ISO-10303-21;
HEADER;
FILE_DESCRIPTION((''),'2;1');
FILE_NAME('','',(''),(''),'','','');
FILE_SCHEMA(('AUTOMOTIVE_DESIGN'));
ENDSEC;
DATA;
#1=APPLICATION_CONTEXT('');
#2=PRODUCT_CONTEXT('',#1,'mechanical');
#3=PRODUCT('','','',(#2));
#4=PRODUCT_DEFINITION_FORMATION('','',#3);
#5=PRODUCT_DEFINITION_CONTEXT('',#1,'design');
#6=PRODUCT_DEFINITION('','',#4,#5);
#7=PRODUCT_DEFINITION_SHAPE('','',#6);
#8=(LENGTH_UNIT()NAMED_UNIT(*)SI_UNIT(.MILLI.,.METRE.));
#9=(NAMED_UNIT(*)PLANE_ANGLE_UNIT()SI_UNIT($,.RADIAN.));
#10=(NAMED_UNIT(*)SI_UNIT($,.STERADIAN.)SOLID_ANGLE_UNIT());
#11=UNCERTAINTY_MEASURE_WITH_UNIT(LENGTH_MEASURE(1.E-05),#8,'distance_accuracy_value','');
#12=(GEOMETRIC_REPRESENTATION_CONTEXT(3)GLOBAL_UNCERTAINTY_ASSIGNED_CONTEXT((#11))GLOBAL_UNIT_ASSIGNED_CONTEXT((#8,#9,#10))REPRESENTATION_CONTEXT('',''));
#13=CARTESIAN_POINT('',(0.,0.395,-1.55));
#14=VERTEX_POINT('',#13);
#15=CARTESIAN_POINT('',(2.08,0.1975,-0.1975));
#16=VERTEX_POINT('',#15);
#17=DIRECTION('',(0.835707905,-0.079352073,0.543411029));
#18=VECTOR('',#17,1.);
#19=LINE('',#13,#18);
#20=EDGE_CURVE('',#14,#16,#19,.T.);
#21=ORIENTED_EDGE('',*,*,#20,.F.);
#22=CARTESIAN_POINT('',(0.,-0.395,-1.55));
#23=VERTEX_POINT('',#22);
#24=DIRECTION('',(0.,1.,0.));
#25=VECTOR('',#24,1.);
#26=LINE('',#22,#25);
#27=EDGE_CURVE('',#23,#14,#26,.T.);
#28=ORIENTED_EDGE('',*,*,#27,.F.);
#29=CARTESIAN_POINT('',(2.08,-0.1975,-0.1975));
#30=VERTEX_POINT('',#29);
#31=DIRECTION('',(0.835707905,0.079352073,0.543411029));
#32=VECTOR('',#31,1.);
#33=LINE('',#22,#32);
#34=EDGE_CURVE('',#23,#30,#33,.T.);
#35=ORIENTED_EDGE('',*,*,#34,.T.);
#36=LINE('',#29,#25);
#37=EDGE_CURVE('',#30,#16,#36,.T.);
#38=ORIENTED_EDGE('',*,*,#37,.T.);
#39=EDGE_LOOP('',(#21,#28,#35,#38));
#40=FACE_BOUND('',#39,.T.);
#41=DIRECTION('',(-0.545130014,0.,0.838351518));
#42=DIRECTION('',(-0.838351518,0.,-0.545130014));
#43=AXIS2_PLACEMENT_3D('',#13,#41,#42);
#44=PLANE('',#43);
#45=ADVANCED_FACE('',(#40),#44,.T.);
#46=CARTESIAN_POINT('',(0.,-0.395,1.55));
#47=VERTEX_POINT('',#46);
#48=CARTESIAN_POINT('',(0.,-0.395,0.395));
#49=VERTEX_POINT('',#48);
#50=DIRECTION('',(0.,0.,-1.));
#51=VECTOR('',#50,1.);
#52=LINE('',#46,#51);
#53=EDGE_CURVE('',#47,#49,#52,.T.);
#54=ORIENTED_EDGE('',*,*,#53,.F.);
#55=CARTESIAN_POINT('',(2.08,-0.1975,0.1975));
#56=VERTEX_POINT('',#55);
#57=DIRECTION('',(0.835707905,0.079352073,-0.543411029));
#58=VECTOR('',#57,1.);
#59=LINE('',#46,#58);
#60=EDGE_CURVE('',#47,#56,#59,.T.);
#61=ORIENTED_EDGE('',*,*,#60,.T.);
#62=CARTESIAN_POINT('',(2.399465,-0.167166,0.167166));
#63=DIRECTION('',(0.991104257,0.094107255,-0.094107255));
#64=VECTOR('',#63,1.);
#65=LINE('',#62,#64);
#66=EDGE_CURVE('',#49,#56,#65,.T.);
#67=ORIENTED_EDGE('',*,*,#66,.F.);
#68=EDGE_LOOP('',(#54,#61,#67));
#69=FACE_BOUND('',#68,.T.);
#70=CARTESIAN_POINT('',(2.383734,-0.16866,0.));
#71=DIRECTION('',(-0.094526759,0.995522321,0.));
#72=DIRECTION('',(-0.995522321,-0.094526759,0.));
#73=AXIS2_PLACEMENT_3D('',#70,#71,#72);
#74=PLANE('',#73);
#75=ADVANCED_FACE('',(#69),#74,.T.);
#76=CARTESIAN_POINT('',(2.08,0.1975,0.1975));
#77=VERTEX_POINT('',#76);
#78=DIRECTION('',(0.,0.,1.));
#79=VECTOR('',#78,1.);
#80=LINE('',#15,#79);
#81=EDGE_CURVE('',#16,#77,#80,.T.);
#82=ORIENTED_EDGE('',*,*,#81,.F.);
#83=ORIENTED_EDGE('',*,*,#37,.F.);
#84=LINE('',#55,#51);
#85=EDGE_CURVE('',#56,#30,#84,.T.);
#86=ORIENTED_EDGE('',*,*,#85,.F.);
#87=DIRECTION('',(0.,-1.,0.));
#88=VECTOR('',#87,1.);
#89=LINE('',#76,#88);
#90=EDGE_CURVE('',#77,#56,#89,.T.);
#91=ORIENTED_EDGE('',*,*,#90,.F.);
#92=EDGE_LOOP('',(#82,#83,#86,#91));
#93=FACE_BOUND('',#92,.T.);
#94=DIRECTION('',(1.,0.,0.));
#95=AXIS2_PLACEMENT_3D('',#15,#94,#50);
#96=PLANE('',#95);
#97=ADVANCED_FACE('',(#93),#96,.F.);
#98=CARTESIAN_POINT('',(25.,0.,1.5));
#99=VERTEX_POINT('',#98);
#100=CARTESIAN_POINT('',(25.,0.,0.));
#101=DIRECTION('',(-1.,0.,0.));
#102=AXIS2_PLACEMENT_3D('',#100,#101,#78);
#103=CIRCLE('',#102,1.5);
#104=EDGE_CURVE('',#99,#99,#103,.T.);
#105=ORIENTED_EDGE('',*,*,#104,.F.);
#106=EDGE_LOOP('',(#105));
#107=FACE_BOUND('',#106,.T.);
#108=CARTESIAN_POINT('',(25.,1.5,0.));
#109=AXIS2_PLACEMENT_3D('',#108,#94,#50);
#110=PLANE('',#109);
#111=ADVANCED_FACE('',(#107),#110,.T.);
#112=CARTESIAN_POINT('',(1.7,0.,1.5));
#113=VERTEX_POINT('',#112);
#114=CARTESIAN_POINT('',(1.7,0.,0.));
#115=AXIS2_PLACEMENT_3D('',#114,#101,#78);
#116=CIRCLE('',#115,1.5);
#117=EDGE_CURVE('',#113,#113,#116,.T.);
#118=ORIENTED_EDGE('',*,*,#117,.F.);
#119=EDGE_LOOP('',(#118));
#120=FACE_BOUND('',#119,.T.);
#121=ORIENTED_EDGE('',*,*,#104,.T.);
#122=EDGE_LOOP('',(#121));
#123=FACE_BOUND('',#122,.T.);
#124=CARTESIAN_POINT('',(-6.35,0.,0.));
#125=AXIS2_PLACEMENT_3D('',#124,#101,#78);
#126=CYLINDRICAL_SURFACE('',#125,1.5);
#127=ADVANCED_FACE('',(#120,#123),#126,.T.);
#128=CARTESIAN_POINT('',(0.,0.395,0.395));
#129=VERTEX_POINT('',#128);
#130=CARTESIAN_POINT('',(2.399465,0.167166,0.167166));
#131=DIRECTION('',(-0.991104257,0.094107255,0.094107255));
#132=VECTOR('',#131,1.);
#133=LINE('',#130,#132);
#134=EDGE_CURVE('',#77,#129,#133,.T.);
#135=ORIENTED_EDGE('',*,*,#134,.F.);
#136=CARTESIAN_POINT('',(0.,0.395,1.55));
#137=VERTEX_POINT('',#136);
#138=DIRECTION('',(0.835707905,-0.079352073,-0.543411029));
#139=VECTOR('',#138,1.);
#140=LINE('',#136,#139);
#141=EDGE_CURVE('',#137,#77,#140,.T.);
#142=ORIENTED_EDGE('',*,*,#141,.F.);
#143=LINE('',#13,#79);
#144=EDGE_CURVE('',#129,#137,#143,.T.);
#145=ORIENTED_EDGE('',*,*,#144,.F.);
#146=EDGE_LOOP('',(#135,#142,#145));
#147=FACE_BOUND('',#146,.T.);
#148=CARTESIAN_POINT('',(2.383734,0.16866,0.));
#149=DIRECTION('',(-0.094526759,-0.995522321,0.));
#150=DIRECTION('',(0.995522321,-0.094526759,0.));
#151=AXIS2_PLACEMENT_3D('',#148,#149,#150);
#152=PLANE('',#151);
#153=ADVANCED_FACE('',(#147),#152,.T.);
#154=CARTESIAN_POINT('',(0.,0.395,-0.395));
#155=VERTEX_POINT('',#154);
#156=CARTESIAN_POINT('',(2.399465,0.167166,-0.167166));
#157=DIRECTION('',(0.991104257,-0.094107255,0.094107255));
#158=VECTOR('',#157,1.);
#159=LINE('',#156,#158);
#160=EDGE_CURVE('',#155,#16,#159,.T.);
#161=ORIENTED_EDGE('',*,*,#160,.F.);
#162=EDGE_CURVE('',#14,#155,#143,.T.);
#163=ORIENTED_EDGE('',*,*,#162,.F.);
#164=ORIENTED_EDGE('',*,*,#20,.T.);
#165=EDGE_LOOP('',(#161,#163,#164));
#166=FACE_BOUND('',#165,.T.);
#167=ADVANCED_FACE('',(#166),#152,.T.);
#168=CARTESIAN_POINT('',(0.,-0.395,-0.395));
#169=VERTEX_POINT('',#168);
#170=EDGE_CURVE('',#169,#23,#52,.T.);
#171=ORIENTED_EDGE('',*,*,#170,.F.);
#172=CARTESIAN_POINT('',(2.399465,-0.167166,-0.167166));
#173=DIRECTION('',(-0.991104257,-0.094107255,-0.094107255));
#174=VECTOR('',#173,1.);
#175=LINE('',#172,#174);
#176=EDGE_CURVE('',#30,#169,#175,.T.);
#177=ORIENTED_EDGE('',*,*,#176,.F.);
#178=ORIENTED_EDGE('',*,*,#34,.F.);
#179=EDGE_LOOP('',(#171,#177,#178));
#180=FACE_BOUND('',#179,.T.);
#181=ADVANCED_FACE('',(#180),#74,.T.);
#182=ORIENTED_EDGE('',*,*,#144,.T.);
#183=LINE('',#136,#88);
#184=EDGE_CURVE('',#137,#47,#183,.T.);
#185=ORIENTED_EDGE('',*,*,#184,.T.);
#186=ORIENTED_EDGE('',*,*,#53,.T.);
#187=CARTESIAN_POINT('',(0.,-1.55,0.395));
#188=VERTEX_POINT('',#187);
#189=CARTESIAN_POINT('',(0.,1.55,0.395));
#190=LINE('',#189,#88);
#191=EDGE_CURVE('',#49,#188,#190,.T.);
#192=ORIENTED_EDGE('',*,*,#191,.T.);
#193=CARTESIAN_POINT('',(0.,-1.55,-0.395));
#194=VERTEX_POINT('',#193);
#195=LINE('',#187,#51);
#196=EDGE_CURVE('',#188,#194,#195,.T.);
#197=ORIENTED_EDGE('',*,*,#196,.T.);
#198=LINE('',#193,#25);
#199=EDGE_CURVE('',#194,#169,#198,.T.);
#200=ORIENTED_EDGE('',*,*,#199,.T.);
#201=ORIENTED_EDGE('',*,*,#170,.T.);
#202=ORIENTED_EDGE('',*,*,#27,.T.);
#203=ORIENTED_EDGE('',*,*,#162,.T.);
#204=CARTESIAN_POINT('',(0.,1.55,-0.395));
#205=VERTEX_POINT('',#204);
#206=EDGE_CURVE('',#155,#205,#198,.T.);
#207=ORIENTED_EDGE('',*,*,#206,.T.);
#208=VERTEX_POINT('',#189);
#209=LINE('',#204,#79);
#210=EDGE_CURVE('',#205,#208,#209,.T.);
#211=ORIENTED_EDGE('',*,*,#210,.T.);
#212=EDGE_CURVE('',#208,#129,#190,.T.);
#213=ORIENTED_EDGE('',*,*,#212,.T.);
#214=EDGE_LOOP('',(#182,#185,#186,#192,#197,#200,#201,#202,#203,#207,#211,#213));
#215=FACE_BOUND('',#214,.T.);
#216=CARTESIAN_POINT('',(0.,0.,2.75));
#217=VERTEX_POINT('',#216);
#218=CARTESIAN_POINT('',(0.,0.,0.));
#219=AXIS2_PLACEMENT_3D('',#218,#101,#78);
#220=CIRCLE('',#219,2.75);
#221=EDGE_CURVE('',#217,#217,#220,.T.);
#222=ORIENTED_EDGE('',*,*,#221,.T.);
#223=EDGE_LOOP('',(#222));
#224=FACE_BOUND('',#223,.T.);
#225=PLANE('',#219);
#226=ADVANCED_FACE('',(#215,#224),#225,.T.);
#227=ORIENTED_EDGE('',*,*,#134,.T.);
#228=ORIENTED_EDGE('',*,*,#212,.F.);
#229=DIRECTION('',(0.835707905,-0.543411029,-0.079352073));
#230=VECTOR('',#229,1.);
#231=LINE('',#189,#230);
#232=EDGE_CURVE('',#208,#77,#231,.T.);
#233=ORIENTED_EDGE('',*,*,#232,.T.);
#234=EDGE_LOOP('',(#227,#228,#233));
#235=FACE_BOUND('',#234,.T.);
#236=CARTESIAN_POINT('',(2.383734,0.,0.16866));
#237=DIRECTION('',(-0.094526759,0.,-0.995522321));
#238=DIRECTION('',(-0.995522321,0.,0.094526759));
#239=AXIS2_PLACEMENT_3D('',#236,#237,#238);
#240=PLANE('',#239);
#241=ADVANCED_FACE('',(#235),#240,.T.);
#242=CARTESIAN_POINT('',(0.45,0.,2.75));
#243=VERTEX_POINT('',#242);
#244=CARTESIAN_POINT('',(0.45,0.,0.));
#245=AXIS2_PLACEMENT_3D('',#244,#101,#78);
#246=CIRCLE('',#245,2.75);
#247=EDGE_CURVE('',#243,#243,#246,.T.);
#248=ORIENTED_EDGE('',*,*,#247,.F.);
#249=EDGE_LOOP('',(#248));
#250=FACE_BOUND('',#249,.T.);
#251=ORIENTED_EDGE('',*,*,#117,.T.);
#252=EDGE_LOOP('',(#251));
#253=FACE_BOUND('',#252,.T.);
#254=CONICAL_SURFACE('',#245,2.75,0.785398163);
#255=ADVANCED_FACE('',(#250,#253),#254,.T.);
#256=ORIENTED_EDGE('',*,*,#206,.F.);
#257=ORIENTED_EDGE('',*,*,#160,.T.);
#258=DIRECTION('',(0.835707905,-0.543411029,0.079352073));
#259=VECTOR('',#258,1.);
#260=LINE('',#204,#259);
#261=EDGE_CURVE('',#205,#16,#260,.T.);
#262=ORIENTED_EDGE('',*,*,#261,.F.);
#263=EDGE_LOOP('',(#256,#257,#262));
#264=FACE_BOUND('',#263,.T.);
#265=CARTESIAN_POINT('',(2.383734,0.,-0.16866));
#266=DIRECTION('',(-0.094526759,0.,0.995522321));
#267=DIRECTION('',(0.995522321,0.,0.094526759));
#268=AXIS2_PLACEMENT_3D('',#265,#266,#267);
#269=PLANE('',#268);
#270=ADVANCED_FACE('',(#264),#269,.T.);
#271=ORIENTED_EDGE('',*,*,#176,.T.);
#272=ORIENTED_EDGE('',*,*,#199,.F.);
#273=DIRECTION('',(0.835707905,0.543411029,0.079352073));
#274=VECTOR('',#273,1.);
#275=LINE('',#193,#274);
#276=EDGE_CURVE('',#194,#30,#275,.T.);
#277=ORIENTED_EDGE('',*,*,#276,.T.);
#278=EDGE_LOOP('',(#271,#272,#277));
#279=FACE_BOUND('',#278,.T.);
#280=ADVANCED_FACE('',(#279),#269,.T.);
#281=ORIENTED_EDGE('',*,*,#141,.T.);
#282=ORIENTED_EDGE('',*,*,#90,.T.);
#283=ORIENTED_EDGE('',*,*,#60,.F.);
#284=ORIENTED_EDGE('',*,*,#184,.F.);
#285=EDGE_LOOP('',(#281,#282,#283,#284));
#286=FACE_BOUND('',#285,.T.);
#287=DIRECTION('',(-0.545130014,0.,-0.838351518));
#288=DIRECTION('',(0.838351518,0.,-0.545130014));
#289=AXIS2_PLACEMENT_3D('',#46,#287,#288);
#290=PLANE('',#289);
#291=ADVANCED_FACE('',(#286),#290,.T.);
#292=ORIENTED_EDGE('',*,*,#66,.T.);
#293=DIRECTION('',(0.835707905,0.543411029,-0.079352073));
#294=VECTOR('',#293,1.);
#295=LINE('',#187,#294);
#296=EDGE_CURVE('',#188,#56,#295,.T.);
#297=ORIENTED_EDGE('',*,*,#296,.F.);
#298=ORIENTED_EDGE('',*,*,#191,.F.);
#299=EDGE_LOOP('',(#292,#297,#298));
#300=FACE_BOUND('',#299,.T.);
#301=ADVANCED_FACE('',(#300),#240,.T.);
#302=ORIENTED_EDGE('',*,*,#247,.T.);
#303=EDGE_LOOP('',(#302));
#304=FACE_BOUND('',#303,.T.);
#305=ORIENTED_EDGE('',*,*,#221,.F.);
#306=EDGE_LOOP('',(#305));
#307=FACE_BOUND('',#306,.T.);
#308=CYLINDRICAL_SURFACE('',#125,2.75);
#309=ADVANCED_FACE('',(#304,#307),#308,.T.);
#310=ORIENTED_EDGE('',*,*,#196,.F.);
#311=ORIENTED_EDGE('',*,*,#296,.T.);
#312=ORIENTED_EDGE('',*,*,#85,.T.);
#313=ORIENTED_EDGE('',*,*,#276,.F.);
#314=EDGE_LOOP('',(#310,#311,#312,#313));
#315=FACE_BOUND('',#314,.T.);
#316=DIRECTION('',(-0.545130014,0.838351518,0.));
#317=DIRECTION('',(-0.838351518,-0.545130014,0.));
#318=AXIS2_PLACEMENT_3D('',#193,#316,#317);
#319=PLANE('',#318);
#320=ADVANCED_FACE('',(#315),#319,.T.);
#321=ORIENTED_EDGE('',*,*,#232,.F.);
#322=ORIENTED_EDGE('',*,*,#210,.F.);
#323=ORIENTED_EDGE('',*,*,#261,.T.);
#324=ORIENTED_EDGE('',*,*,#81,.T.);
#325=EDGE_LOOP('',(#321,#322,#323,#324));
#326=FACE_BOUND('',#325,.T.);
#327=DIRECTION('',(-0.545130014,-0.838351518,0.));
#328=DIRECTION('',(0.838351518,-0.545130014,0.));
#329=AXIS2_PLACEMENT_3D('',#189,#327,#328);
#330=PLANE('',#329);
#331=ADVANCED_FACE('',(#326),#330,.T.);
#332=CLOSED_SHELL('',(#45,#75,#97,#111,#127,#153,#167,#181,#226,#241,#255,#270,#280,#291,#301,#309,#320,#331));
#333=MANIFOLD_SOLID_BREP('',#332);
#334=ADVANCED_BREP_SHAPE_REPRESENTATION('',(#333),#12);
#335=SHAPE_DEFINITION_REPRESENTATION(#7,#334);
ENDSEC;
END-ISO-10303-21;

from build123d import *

# Parameters (mm, degrees)
CIRPATTERN1_COUNT = 2
CIRPATTERN1_ANGLE = 90


with BuildPart() as part:
    # BodySke → Base-Revolve (revolve)
    with BuildSketch(Plane.XY, mode=Mode.PRIVATE) as base_revolve_sk:
        Polygon((0, 0), (0, 2.75), (0.45, 2.75), (1.7, 1.5), (25, 1.5), (25, 0), align=None)
    revolve(base_revolve_sk.sketch.rotate(Axis((-6.35, 0, 0), (1, 0, 0)), 90), axis=Axis((-6.35, 0, 0), (1, 0, 0)))

    # Sketch3 → Cross section 0
    with BuildSketch(Plane.ZY):
        with BuildLine():
            Line((-0.395, 1.55), (0.395, 1.55))
            Line((0.395, 1.55), (0.395, -1.55))
            Line((0.395, -1.55), (-0.395, -1.55))
            Line((-0.395, -1.55), (-0.395, 1.55))
        make_face()
    # Sketch4 → Cross section 1
    with BuildSketch(Plane.ZY.offset(-2.08)):
        with BuildLine():
            Line((-0.1975, 0.1975), (0.1975, 0.1975))
            Line((0.1975, 0.1975), (0.1975, -0.1975))
            Line((0.1975, -0.1975), (-0.1975, -0.1975))
            Line((-0.1975, -0.1975), (-0.1975, 0.1975))
        make_face()
    cross = loft(mode=Mode.SUBTRACT)

    # CirPattern1: Cross ×2 about axis
    cirpattern1_axis = Axis((0, 0, 0), (1, 0, 0))
    for i in range(1, CIRPATTERN1_COUNT):
        add(cross.rotate(cirpattern1_axis, i * CIRPATTERN1_ANGLE / (CIRPATTERN1_COUNT - 1)), mode=Mode.SUBTRACT)


solid = part.part
